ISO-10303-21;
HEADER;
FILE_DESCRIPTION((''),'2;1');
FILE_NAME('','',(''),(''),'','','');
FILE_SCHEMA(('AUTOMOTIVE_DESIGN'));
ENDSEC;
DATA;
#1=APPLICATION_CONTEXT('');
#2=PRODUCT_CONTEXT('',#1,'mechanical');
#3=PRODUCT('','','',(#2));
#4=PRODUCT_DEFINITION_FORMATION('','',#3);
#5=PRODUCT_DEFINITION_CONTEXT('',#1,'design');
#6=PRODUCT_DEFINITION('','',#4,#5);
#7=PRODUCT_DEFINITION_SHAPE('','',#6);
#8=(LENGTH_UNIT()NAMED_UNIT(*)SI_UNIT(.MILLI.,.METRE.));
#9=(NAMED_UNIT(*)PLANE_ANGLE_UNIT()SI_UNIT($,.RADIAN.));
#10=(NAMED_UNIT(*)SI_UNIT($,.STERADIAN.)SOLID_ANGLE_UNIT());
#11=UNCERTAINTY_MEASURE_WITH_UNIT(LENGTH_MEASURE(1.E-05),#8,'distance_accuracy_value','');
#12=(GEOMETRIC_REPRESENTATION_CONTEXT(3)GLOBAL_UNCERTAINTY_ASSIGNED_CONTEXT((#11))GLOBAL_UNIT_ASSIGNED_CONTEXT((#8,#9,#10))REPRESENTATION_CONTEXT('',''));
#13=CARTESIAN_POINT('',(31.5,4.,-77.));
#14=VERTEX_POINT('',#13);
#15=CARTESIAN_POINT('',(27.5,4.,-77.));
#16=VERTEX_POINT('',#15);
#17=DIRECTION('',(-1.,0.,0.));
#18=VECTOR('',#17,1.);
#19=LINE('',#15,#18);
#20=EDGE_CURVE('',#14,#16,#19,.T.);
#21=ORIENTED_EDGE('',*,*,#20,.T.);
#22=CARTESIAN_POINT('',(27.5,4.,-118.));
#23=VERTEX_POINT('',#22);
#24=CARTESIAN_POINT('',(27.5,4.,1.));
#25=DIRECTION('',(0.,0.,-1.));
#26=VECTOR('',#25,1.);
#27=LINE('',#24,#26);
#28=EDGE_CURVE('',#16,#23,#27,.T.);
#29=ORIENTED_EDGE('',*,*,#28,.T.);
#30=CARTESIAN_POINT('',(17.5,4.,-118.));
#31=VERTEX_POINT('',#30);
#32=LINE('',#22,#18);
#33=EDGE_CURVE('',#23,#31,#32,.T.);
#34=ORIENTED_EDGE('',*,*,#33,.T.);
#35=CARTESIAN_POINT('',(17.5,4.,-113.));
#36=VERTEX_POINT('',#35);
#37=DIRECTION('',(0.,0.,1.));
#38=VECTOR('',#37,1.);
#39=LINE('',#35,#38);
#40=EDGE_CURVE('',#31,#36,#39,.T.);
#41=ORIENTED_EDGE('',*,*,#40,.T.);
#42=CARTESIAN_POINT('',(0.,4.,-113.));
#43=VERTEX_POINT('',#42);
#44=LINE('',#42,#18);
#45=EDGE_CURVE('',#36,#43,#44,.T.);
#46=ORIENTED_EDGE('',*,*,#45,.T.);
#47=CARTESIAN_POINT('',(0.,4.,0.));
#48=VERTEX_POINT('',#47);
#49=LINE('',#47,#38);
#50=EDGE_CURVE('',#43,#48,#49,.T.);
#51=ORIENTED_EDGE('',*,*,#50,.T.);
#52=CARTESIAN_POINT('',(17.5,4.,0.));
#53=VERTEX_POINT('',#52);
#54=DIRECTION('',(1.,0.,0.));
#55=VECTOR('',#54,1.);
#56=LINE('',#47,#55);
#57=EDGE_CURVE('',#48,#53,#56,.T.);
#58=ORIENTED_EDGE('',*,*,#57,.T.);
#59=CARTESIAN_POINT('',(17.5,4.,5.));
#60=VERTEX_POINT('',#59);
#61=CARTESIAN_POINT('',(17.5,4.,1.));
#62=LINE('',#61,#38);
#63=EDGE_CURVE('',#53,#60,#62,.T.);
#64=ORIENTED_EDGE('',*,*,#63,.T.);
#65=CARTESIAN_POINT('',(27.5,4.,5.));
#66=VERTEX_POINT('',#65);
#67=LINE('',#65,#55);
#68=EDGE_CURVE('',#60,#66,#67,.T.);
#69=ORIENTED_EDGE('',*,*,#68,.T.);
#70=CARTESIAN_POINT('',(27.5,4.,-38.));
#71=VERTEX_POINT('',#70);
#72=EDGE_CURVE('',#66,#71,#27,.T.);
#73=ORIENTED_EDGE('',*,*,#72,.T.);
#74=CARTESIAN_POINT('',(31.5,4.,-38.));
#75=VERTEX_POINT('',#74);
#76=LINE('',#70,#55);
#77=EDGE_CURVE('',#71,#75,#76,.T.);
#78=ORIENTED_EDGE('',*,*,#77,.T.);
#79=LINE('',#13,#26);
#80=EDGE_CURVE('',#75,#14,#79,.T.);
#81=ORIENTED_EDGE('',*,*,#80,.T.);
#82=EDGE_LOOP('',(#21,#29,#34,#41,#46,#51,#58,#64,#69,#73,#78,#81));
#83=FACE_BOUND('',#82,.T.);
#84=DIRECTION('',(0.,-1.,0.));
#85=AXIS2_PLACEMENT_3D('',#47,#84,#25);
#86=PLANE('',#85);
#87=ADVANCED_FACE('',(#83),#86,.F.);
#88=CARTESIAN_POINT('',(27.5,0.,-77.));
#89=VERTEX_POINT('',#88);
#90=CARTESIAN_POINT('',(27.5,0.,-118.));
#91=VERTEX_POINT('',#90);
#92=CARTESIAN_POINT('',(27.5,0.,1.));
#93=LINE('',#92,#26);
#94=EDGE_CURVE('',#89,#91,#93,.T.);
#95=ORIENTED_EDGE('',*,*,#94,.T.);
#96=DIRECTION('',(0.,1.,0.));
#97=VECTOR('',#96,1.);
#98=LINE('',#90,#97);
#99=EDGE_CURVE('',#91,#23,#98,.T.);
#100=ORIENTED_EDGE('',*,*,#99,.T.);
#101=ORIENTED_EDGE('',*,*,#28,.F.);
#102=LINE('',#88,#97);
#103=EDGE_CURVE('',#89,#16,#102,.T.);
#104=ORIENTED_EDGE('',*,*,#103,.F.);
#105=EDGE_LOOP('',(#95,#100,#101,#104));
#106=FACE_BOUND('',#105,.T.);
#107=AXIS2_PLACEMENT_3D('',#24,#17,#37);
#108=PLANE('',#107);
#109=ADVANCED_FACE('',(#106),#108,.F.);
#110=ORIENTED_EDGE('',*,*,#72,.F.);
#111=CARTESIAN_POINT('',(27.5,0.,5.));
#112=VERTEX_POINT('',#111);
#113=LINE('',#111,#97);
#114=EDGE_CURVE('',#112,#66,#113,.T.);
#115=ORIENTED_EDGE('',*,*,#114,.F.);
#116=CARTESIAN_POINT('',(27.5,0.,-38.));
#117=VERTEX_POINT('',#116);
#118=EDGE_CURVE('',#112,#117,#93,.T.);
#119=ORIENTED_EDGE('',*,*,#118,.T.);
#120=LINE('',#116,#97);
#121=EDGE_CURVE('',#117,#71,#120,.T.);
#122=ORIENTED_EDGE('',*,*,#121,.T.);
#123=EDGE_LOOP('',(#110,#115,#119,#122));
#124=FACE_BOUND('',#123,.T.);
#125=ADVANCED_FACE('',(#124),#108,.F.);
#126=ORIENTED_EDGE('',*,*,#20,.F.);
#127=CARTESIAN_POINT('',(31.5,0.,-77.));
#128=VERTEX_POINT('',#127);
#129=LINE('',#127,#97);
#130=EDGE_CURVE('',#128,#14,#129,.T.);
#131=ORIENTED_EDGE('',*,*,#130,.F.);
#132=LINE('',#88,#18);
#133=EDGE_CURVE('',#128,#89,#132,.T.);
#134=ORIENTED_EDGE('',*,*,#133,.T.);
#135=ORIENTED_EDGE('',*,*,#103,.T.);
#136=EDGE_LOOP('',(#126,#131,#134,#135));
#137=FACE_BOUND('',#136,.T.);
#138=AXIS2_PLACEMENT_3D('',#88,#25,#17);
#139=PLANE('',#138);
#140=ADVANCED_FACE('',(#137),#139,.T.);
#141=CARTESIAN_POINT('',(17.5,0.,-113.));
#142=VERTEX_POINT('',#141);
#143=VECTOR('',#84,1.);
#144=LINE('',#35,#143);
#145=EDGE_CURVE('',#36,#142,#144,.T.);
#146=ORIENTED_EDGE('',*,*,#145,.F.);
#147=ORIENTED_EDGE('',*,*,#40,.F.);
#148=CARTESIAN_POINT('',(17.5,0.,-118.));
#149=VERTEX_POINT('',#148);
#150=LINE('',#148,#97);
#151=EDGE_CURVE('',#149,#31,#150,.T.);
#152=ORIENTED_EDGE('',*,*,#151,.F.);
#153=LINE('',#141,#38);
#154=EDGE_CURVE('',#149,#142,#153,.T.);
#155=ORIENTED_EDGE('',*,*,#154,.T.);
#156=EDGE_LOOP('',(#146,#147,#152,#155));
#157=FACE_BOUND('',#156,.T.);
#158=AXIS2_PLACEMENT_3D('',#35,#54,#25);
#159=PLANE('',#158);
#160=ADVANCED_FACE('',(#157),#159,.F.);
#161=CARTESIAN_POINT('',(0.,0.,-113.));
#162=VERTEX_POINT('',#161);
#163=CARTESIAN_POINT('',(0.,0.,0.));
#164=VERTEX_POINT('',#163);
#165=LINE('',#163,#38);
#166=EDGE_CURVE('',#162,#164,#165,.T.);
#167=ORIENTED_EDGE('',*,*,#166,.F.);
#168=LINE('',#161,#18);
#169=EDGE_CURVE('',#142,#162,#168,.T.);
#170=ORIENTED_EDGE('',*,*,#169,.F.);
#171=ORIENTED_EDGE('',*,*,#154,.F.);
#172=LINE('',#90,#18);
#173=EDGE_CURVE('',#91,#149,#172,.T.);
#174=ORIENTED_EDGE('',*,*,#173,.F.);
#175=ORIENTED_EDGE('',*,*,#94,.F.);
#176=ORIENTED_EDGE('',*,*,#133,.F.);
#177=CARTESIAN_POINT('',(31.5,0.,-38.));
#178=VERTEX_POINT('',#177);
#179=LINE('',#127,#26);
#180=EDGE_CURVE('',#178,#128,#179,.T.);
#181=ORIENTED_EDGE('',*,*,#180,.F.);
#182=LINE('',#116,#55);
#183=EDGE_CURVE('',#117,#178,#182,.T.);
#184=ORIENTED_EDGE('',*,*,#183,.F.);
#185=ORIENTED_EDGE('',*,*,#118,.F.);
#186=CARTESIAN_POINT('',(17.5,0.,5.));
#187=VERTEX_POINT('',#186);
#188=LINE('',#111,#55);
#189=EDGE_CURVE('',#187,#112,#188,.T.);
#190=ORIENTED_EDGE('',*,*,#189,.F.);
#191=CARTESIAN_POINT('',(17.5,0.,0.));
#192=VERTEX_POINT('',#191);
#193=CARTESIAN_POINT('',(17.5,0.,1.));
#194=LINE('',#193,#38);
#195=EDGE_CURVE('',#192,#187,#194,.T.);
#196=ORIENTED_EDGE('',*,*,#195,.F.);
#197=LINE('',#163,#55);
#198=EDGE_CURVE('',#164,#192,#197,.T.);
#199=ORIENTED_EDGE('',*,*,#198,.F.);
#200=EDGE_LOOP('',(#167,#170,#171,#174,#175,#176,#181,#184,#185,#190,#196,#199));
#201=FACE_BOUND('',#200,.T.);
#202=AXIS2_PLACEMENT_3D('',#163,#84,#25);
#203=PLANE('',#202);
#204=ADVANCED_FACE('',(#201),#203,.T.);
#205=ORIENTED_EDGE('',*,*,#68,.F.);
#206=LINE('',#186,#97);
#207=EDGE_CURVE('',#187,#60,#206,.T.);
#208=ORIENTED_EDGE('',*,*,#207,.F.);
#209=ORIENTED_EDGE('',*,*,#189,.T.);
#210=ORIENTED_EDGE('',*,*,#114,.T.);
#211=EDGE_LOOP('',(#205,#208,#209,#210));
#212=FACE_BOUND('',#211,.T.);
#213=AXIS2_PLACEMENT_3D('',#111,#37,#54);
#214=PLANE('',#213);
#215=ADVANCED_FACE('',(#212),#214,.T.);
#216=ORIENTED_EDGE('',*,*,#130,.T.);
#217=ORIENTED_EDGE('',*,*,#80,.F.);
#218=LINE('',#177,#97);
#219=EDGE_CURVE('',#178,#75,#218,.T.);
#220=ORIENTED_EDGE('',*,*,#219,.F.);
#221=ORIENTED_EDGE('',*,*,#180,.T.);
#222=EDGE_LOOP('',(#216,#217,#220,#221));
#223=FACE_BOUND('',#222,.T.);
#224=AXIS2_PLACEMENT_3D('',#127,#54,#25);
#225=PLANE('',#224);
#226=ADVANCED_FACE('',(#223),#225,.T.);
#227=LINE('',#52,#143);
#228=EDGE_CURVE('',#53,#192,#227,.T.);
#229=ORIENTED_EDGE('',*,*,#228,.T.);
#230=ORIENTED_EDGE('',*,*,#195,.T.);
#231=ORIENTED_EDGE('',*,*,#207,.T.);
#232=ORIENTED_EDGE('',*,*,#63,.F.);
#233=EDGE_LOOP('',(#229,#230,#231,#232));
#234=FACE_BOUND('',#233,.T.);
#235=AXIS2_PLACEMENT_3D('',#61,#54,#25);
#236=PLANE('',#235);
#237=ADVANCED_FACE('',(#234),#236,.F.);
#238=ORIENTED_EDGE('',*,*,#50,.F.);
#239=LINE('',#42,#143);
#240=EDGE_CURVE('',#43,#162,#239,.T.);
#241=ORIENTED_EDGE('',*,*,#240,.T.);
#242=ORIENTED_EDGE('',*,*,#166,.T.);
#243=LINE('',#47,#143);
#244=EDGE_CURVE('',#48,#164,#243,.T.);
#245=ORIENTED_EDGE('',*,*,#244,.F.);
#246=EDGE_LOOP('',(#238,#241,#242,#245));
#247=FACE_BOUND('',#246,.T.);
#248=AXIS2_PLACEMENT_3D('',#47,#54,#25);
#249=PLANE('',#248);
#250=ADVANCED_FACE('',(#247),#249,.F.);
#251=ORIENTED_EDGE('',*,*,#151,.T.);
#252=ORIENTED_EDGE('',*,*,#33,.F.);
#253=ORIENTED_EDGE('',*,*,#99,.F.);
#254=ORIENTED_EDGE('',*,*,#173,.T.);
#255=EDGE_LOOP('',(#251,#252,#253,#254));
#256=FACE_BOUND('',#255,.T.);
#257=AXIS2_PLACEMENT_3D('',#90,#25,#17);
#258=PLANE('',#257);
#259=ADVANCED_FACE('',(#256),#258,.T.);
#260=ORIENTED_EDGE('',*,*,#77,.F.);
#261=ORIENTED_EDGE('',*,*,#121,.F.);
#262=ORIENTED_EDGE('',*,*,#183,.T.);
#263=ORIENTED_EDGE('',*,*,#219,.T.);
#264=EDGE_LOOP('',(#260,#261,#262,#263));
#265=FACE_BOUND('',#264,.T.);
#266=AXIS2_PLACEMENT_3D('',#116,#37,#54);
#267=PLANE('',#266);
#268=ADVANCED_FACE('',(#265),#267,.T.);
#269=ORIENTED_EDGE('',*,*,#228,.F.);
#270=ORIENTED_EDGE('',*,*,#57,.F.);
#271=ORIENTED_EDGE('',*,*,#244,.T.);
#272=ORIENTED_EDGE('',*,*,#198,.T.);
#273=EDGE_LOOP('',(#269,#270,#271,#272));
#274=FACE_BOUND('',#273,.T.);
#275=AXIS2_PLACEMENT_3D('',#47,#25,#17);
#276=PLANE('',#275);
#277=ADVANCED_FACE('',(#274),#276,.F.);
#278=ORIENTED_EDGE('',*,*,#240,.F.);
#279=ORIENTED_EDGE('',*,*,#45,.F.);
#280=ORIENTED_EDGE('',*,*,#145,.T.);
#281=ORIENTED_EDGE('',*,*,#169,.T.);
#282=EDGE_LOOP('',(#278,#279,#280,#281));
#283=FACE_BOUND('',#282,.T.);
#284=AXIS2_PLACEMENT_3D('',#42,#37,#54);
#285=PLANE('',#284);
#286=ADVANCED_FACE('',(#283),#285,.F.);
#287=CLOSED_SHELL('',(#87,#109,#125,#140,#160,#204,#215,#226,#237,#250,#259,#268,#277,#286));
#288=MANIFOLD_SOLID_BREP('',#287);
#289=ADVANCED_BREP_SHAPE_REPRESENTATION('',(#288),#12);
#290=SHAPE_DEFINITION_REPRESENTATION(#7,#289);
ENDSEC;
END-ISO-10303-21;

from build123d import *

# Parameters (mm, degrees)
BOSS_EXTRUDE1_DEPTH = 4
SKETCH2_W           = 10
SKETCH2_H           = 4
BOSS_EXTRUDE2_DEPTH = 4
SKETCH3_W           = 4
SKETCH3_H           = 39
BOSS_EXTRUDE3_DEPTH = 4


with BuildPart() as part:
    # Sketch1 → Boss-Extrude1 (new body)
    with BuildSketch(Plane(origin=(0, 0, 0), x_dir=(1, 0, 0), z_dir=(0, 1, 0))):
        Polygon((17.5, 113), (17.5, 114), (27.5, 114), (27.5, -1), (17.5, -1), (17.5, 0), (0, 0), (0, 113), align=None)
    extrude(amount=BOSS_EXTRUDE1_DEPTH)

    # Sketch2 → Boss-Extrude2 (add)
    with BuildSketch(Plane(origin=(0, 4, 0), x_dir=(1, 0, 0), z_dir=(0, 1, 0))):
        with Locations((22.5, -3)):
            Rectangle(SKETCH2_W, SKETCH2_H)
        with Locations((22.5, 116)):
            Rectangle(SKETCH2_W, SKETCH2_H)
    extrude(amount=-BOSS_EXTRUDE2_DEPTH)

    # Sketch3 → Boss-Extrude3 (add)
    with BuildSketch(Plane(origin=(0, 4, 0), x_dir=(1, 0, 0), z_dir=(0, 1, 0))):
        with Locations((29.5, 57.5)):
            Rectangle(SKETCH3_W, SKETCH3_H)
    extrude(amount=-BOSS_EXTRUDE3_DEPTH)


solid = part.part
